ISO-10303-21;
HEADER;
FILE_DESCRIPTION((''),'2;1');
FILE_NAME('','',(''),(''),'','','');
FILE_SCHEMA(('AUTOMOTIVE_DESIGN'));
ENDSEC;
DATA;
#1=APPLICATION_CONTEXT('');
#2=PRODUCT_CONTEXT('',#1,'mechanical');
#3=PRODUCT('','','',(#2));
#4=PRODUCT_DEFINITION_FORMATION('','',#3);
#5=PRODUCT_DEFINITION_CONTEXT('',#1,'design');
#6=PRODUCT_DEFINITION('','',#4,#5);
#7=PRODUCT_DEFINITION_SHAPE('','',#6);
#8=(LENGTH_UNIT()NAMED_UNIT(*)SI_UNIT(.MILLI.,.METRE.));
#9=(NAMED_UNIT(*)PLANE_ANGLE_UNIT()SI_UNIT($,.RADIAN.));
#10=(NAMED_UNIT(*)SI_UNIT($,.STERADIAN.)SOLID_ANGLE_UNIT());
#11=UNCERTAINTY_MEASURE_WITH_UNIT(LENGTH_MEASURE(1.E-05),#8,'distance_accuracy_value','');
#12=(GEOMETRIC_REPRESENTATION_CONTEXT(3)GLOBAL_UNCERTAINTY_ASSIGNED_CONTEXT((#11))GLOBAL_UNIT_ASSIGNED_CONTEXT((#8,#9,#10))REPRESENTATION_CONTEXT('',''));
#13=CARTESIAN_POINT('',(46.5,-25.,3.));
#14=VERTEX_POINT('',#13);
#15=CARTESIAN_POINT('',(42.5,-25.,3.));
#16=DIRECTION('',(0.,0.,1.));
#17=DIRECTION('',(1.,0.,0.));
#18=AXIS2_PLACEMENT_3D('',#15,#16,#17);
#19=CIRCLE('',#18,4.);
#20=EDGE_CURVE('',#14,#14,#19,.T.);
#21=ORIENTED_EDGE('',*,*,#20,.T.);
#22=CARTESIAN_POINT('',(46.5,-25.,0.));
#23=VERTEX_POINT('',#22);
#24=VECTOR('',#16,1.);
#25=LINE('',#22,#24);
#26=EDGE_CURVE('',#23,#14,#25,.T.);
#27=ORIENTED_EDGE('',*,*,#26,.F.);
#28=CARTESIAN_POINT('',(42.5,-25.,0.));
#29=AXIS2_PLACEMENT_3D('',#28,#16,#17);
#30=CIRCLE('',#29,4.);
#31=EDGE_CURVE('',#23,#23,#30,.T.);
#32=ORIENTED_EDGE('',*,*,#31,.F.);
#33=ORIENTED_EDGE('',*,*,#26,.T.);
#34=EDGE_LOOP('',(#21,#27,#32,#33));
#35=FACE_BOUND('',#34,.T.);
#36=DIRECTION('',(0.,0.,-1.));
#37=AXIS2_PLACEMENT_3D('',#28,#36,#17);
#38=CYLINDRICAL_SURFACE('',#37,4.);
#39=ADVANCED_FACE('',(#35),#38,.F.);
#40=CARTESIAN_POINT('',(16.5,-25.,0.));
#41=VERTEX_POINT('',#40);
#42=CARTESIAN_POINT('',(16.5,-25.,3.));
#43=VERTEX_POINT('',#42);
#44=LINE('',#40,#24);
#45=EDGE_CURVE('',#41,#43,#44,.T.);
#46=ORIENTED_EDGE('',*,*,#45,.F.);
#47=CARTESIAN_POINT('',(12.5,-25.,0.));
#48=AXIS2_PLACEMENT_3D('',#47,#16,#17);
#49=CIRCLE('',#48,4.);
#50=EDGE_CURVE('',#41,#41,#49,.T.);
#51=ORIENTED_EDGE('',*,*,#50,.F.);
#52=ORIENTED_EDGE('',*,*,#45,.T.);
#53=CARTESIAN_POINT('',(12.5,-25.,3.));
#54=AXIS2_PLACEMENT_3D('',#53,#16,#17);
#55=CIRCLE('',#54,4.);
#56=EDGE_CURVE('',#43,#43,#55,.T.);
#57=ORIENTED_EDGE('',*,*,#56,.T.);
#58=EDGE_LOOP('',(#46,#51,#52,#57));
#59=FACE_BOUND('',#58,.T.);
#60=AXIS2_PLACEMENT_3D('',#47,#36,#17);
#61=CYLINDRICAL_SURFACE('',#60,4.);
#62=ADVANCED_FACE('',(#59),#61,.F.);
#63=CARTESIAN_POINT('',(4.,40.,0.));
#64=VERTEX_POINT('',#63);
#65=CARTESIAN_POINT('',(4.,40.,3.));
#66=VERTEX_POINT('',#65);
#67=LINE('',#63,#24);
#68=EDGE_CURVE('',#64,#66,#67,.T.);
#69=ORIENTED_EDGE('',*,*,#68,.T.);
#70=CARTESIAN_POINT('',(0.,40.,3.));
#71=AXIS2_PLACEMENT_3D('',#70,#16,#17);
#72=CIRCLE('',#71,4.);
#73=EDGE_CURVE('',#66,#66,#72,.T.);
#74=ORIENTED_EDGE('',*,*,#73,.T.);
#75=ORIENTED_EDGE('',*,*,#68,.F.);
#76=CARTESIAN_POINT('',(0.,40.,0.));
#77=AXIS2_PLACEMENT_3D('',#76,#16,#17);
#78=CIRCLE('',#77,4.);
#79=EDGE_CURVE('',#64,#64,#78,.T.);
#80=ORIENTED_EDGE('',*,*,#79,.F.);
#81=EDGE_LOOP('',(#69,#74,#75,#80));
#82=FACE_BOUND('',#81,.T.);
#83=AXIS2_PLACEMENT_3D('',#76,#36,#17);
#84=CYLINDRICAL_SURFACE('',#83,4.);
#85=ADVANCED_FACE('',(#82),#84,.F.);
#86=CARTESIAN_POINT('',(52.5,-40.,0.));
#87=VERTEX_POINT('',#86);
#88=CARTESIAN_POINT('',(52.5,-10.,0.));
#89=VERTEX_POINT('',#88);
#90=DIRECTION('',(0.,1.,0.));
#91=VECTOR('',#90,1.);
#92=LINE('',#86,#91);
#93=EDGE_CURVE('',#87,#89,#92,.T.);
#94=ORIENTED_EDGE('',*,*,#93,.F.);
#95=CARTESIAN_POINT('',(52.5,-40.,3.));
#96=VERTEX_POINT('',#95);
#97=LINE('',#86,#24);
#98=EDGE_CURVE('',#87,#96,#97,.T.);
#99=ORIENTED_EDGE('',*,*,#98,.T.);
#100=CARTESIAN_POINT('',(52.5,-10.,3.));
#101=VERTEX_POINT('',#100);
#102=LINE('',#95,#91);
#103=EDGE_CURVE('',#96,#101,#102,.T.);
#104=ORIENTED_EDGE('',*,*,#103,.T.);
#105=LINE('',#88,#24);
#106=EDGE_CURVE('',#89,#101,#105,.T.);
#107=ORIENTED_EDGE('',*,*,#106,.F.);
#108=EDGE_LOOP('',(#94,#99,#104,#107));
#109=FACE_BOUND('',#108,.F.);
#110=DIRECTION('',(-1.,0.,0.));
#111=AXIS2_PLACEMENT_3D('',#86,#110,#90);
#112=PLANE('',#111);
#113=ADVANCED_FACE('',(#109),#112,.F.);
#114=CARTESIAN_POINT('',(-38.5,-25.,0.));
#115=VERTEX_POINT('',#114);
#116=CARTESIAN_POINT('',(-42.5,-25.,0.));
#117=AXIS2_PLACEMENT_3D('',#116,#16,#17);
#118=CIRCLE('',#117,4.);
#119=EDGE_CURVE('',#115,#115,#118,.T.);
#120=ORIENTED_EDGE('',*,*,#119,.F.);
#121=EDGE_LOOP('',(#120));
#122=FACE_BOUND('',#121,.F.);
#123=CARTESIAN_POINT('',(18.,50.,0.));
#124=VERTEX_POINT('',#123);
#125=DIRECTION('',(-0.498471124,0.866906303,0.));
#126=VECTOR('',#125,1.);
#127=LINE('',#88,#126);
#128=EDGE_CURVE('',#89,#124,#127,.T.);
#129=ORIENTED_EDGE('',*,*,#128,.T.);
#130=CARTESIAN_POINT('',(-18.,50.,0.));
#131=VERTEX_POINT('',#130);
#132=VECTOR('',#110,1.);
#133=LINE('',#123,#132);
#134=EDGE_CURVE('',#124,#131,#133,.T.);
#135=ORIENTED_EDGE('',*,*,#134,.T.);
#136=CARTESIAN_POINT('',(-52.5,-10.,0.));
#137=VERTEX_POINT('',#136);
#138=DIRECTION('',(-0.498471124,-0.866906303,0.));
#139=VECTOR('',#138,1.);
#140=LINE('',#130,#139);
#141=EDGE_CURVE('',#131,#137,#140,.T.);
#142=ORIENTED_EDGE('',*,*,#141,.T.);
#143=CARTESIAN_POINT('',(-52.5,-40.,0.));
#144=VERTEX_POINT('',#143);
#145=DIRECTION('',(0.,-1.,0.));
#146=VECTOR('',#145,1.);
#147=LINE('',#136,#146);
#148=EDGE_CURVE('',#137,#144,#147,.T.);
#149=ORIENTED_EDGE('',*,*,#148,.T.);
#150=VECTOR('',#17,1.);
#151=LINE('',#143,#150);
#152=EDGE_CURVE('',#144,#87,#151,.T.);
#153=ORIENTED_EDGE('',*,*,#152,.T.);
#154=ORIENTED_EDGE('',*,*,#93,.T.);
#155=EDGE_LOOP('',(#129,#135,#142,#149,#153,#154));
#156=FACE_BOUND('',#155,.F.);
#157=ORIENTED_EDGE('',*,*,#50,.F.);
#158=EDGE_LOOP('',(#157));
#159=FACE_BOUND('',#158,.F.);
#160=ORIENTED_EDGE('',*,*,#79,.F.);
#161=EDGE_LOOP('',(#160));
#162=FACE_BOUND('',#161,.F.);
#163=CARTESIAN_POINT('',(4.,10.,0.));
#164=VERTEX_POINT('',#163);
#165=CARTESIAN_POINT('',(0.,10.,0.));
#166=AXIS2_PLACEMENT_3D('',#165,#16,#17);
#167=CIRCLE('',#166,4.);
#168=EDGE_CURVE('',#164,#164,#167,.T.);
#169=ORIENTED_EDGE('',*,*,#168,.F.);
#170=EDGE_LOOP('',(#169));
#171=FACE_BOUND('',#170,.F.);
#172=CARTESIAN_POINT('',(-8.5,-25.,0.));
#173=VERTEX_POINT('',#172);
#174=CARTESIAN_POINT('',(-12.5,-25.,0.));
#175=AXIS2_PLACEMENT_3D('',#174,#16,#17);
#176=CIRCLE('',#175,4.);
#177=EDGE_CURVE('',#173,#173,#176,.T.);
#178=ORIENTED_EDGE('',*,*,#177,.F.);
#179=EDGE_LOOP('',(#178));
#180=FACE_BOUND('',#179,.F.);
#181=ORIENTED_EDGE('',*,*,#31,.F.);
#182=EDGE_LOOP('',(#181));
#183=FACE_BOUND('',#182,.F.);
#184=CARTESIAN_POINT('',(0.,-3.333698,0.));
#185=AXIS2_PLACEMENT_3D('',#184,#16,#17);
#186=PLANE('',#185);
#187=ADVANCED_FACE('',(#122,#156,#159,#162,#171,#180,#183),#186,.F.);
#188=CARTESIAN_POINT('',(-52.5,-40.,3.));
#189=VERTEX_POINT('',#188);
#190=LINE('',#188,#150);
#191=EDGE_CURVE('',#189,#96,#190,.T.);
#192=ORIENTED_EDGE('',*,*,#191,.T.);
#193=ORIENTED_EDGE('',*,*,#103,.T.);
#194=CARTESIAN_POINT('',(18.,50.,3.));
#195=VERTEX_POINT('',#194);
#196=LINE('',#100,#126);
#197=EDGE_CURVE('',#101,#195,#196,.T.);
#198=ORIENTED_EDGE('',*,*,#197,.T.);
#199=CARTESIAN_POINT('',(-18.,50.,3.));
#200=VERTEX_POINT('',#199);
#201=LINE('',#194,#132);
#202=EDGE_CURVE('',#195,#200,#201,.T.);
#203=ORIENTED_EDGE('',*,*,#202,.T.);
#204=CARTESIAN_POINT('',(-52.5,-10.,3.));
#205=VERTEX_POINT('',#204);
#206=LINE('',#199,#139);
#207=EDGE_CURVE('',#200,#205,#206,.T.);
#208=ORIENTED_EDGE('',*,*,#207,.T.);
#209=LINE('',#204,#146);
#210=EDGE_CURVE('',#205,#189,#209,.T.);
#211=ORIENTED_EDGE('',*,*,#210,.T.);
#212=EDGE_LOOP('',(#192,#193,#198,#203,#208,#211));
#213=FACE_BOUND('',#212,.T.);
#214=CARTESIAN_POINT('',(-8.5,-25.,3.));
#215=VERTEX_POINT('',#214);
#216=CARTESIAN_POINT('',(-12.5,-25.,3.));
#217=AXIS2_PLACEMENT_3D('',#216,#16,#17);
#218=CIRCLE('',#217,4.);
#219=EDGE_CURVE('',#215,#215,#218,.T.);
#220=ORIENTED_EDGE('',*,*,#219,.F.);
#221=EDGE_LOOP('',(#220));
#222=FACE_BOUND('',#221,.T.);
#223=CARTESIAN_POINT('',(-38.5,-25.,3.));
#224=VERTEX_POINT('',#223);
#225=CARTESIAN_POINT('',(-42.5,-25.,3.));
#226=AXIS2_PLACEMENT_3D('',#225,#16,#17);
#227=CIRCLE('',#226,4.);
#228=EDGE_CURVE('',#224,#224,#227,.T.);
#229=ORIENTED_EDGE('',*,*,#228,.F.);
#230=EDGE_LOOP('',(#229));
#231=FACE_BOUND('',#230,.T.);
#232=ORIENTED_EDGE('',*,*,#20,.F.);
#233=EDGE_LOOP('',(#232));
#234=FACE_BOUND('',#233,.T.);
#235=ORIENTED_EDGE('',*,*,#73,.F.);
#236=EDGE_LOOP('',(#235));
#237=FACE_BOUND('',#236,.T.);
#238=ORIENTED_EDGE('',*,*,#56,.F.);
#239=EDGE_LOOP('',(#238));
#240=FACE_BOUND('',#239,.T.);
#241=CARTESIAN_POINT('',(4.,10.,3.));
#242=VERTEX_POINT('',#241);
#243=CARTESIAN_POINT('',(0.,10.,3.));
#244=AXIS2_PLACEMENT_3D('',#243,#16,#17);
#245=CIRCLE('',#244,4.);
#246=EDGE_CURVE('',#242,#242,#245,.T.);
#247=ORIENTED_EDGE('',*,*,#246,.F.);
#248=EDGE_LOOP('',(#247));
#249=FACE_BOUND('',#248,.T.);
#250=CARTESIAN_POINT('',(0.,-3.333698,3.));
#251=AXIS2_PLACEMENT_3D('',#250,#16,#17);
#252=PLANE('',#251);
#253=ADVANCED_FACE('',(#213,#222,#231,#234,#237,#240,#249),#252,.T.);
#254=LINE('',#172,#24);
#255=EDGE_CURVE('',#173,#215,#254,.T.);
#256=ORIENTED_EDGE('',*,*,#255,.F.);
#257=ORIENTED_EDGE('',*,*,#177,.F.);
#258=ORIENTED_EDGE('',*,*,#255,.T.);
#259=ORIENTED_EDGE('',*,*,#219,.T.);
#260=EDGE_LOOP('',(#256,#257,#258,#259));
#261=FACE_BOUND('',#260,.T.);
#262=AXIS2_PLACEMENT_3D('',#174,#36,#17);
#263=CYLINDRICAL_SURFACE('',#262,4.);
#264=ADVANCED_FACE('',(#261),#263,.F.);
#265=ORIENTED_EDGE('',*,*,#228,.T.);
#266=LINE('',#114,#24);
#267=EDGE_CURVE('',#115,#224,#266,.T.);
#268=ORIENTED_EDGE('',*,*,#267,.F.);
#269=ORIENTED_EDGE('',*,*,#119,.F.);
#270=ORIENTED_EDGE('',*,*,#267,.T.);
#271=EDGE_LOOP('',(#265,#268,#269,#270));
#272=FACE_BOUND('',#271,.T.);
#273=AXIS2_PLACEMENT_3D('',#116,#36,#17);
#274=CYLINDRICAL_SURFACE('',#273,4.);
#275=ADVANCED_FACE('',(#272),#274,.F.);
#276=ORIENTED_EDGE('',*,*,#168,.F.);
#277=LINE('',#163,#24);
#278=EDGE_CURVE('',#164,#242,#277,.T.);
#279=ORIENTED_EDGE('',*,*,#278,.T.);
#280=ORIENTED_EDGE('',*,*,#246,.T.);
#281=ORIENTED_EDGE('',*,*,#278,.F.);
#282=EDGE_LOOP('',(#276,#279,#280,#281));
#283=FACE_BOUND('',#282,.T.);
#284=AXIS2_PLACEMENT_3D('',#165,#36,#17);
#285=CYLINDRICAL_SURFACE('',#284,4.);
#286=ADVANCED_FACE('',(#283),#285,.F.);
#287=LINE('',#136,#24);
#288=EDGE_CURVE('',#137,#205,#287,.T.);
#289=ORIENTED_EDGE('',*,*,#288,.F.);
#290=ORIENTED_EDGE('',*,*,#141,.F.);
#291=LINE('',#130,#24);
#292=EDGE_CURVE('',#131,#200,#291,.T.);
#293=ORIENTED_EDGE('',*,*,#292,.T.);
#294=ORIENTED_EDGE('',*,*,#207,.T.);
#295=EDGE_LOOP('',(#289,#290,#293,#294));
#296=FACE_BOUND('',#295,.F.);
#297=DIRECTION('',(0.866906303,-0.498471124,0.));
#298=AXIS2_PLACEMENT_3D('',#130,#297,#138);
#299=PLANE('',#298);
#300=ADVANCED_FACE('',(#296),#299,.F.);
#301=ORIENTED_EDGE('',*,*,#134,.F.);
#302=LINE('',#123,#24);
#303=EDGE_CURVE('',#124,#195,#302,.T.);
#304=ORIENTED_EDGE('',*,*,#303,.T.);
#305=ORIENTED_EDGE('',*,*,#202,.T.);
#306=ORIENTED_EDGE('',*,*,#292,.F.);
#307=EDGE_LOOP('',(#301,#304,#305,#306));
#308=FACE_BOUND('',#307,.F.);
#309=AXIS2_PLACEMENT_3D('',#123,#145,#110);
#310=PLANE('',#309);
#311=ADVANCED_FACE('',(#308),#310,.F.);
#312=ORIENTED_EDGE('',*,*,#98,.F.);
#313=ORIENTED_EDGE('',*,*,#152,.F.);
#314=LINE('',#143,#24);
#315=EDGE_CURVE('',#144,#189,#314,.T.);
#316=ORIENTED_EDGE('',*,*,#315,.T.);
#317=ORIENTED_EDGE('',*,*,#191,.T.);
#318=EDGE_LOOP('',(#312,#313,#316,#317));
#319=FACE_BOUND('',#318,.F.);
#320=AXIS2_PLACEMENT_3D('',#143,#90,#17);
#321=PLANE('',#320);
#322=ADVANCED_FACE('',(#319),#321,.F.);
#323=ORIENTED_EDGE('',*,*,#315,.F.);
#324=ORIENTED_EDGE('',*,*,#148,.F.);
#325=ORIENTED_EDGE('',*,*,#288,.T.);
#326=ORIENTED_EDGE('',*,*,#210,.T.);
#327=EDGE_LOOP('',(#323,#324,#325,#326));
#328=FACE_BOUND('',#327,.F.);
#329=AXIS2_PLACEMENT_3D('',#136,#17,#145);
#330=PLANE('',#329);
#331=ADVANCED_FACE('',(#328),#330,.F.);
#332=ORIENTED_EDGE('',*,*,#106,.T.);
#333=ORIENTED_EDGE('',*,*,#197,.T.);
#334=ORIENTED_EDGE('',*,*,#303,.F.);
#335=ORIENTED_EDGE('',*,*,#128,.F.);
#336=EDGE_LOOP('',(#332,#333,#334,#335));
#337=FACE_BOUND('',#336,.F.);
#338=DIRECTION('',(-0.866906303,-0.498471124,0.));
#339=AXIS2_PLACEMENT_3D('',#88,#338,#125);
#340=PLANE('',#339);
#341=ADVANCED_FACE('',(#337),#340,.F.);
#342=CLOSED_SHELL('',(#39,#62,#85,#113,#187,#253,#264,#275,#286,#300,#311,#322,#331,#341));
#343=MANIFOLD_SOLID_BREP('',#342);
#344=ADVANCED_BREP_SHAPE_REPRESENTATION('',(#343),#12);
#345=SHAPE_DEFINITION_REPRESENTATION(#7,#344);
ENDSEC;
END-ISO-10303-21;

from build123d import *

# Parameters (mm, degrees)
F0_R     = 4
F1_DEPTH = 3


with BuildPart() as f1:
    # F0 (on Top) → F1 (new body)
    with BuildSketch(Plane.XY):
        Polygon((-52.5, -10), (-52.5, -40), (52.5, -40), (52.5, -10), (18, 50), (-18, 50), align=None)
        with Locations((-42.5, -25)):
            Circle(F0_R, mode=Mode.SUBTRACT)
        with Locations((-12.5, -25)):
            Circle(F0_R, mode=Mode.SUBTRACT)
        with Locations((12.5, -25)):
            Circle(F0_R, mode=Mode.SUBTRACT)
        with Locations((42.5, -25)):
            Circle(F0_R, mode=Mode.SUBTRACT)
        with Locations((0, 10)):
            Circle(F0_R, mode=Mode.SUBTRACT)
        with Locations((0, 40)):
            Circle(F0_R, mode=Mode.SUBTRACT)
    extrude(amount=F1_DEPTH)


solid = f1.part
